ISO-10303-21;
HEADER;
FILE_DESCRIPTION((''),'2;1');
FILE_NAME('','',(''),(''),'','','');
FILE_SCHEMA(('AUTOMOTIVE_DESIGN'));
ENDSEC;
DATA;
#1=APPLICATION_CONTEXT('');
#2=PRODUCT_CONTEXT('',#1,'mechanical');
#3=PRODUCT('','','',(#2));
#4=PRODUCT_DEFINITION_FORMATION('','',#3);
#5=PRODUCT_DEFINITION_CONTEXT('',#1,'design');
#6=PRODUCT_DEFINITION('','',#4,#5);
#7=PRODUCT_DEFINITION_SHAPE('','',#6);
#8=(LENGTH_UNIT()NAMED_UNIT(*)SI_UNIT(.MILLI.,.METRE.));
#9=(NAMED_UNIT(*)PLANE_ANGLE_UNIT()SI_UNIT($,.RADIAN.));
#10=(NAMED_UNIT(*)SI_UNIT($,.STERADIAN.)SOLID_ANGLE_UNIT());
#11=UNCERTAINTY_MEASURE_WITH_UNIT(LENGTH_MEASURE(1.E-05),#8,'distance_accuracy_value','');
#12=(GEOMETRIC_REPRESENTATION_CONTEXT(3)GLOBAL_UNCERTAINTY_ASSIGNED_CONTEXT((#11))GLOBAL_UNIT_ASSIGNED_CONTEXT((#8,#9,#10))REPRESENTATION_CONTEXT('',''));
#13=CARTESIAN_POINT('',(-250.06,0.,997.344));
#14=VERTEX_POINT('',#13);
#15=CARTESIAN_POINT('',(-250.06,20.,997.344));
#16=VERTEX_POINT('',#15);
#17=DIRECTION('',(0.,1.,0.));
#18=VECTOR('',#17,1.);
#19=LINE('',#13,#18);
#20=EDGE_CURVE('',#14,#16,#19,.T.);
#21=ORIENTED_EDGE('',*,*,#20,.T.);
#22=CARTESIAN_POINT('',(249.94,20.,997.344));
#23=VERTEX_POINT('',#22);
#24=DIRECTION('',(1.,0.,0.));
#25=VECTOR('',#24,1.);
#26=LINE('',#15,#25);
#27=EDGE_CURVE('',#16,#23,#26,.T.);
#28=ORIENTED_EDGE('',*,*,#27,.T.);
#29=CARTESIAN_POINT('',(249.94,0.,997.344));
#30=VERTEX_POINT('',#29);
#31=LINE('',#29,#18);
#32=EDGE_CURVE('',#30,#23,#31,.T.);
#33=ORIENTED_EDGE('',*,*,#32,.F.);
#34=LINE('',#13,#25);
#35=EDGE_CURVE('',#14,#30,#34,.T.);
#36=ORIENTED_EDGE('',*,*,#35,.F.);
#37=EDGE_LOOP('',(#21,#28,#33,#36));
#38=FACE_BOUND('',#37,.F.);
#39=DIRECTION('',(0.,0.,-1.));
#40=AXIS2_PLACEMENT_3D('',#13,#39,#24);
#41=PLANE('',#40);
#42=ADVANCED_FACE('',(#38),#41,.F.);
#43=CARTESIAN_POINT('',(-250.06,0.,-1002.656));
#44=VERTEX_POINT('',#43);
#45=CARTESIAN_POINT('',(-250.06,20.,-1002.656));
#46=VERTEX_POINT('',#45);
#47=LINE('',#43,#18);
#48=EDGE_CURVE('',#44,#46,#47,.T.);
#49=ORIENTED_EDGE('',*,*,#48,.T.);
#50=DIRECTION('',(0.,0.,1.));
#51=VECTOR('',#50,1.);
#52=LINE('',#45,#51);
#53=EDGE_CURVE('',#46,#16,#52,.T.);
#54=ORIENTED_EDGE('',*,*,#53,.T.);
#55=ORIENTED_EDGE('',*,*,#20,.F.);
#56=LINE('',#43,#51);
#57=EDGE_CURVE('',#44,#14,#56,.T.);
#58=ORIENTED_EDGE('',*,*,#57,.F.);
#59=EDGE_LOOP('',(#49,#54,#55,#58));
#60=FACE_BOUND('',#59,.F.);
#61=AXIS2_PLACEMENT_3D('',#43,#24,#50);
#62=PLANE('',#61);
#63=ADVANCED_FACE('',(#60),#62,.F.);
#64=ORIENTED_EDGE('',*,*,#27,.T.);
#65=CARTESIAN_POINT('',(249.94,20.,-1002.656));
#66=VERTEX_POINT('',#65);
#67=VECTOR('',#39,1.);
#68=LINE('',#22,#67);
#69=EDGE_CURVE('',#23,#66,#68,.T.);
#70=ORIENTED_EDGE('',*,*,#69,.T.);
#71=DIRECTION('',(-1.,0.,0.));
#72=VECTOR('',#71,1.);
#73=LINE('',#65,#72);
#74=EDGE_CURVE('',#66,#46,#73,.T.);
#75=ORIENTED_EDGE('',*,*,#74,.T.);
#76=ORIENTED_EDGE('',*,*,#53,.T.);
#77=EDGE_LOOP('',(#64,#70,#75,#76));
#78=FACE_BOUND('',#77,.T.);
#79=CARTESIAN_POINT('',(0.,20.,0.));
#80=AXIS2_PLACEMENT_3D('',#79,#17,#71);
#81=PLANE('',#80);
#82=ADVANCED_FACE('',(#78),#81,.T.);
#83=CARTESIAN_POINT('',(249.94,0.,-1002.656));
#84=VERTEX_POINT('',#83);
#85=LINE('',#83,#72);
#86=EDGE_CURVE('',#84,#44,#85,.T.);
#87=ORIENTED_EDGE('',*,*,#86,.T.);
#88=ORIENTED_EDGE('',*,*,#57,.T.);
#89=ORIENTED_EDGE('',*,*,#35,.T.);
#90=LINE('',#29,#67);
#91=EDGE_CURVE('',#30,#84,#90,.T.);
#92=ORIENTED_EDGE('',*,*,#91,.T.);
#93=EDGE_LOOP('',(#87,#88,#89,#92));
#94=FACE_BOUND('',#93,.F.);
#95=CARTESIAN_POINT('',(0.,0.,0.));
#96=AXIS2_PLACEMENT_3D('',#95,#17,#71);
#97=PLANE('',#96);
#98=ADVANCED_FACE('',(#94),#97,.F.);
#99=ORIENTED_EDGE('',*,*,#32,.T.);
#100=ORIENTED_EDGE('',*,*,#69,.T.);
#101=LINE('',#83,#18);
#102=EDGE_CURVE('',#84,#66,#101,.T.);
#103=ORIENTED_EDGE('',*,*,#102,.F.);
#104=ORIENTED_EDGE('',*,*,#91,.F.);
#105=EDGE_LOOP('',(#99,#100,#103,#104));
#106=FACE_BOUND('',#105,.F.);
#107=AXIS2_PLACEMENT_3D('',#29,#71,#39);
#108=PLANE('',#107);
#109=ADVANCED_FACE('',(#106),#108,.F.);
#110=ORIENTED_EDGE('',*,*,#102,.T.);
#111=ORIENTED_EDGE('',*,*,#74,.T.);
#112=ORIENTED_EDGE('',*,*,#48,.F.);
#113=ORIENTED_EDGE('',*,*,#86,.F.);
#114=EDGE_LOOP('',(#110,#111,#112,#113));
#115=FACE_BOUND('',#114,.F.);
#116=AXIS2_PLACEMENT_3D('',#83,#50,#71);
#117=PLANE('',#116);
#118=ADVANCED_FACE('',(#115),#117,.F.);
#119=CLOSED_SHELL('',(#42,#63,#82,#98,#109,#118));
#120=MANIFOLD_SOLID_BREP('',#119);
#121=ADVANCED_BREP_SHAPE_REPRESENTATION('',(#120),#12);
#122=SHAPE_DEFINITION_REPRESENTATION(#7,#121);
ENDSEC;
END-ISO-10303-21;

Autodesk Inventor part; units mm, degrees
ref_plane "YZ Plane" through (0, 0, 0) normal (1, 0, 0) x (0, 1, 0)
ref_plane "XZ Plane" through (0, 0, 0) normal (0, 1, 0) x (-1, 0, 0)
ref_plane "XY Plane" through (0, 0, 0) normal (0, 0, 1) x (1, 0, 0)
sketch "Boceto1" plane through (0, 0, 0) normal (0, 1, 0) x (-1, 0, 0)
  line L0 (250.06, 997.344) -> (-249.94, 997.344)
  line L1 (-249.94, 997.344) -> (-249.94, -1002.656)
  line L2 (-249.94, -1002.656) -> (250.06, -1002.656)
  line L3 (250.06, -1002.656) -> (250.06, 997.344)
  point P0 (0, 0)
  point P1 (-115.972, 0)
  point P2 (-115.972, 0)
  point P3 (250.06, -1002.656)
  dimension "d0" = 2000
  dimension "d1" = 500
extrude "Extrusión1" add sketch "Boceto1" along normal blind 20
sketch "Boceto2" plane through (0, 20, 0) normal (0, 1, 0) x (1, 0, 0)
  line L0 (-250.06, 1002.656) -> (-250.06, -997.344) projected
  line L1 (249.94, 1002.656) -> (-250.06, 1002.656) projected
  line L2 (-250.06, 62.656) -> (-250.06, 467.656)
  line L3 (249.94, -997.344) -> (249.94, 1002.656) projected
  line L4 (-250.06, -997.344) -> (-250.06, -592.344)
  line L5 (-250.06, -592.344) -> (249.94, -592.344)
  line L6 (-250.06, -592.344) -> (-250.06, -467.344)
  line L7 (-250.06, -467.344) -> (249.94, -467.344)
  line L8 (-250.06, -467.344) -> (-250.06, -62.344)
  line L9 (-250.06, -62.344) -> (249.94, -62.344)
  line L10 (-250.06, -62.344) -> (-250.06, 62.656)
  line L11 (-250.06, 62.656) -> (249.94, 62.656)
  line L12 (-250.06, 62.656) -> (-250.06, 467.656)
  line L13 (-250.06, 467.656) -> (249.94, 467.656)
  line L14 (249.94, 1002.656) -> (249.94, -62.344)
  line L15 (249.94, -467.344) -> (249.94, -997.344)
  line L16 (-250.06, 467.656) -> (-250.06, 592.656)
  line L17 (-250.06, 592.656) -> (249.94, 592.656)
  line L18 (-250.06, 592.656) -> (-250.06, 1002.656)
  line L19 (249.94, 1002.656) -> (249.94, -867.344)
  line L20 (-250.06, -997.344) -> (249.94, -997.344) projected
  line L21 (-250.06, -997.344) -> (249.94, -997.344)
  line L22 (-0.06, -62.344) -> (-65.06, -62.344)
  line L23 (-65.06, -62.344) -> (-65.06, 62.656)
  line L24 (-65.06, 62.656) -> (64.94, 62.656)
  line L25 (64.94, 62.656) -> (64.94, -62.344)
  line L26 (249.94, -997.344) -> (249.94, -867.344)
  line L27 (249.94, -867.344) -> (-250.06, -867.344)
  line L28 (249.94, 1002.656) -> (249.94, 872.656)
  line L29 (249.94, 872.656) -> (-250.06, 872.656)
  point P0 (0, 0)
  dimension "d10" = 65
  dimension "d11" = 130
  dimension "d12" = 130
properties part number "Marcoesumadre"
